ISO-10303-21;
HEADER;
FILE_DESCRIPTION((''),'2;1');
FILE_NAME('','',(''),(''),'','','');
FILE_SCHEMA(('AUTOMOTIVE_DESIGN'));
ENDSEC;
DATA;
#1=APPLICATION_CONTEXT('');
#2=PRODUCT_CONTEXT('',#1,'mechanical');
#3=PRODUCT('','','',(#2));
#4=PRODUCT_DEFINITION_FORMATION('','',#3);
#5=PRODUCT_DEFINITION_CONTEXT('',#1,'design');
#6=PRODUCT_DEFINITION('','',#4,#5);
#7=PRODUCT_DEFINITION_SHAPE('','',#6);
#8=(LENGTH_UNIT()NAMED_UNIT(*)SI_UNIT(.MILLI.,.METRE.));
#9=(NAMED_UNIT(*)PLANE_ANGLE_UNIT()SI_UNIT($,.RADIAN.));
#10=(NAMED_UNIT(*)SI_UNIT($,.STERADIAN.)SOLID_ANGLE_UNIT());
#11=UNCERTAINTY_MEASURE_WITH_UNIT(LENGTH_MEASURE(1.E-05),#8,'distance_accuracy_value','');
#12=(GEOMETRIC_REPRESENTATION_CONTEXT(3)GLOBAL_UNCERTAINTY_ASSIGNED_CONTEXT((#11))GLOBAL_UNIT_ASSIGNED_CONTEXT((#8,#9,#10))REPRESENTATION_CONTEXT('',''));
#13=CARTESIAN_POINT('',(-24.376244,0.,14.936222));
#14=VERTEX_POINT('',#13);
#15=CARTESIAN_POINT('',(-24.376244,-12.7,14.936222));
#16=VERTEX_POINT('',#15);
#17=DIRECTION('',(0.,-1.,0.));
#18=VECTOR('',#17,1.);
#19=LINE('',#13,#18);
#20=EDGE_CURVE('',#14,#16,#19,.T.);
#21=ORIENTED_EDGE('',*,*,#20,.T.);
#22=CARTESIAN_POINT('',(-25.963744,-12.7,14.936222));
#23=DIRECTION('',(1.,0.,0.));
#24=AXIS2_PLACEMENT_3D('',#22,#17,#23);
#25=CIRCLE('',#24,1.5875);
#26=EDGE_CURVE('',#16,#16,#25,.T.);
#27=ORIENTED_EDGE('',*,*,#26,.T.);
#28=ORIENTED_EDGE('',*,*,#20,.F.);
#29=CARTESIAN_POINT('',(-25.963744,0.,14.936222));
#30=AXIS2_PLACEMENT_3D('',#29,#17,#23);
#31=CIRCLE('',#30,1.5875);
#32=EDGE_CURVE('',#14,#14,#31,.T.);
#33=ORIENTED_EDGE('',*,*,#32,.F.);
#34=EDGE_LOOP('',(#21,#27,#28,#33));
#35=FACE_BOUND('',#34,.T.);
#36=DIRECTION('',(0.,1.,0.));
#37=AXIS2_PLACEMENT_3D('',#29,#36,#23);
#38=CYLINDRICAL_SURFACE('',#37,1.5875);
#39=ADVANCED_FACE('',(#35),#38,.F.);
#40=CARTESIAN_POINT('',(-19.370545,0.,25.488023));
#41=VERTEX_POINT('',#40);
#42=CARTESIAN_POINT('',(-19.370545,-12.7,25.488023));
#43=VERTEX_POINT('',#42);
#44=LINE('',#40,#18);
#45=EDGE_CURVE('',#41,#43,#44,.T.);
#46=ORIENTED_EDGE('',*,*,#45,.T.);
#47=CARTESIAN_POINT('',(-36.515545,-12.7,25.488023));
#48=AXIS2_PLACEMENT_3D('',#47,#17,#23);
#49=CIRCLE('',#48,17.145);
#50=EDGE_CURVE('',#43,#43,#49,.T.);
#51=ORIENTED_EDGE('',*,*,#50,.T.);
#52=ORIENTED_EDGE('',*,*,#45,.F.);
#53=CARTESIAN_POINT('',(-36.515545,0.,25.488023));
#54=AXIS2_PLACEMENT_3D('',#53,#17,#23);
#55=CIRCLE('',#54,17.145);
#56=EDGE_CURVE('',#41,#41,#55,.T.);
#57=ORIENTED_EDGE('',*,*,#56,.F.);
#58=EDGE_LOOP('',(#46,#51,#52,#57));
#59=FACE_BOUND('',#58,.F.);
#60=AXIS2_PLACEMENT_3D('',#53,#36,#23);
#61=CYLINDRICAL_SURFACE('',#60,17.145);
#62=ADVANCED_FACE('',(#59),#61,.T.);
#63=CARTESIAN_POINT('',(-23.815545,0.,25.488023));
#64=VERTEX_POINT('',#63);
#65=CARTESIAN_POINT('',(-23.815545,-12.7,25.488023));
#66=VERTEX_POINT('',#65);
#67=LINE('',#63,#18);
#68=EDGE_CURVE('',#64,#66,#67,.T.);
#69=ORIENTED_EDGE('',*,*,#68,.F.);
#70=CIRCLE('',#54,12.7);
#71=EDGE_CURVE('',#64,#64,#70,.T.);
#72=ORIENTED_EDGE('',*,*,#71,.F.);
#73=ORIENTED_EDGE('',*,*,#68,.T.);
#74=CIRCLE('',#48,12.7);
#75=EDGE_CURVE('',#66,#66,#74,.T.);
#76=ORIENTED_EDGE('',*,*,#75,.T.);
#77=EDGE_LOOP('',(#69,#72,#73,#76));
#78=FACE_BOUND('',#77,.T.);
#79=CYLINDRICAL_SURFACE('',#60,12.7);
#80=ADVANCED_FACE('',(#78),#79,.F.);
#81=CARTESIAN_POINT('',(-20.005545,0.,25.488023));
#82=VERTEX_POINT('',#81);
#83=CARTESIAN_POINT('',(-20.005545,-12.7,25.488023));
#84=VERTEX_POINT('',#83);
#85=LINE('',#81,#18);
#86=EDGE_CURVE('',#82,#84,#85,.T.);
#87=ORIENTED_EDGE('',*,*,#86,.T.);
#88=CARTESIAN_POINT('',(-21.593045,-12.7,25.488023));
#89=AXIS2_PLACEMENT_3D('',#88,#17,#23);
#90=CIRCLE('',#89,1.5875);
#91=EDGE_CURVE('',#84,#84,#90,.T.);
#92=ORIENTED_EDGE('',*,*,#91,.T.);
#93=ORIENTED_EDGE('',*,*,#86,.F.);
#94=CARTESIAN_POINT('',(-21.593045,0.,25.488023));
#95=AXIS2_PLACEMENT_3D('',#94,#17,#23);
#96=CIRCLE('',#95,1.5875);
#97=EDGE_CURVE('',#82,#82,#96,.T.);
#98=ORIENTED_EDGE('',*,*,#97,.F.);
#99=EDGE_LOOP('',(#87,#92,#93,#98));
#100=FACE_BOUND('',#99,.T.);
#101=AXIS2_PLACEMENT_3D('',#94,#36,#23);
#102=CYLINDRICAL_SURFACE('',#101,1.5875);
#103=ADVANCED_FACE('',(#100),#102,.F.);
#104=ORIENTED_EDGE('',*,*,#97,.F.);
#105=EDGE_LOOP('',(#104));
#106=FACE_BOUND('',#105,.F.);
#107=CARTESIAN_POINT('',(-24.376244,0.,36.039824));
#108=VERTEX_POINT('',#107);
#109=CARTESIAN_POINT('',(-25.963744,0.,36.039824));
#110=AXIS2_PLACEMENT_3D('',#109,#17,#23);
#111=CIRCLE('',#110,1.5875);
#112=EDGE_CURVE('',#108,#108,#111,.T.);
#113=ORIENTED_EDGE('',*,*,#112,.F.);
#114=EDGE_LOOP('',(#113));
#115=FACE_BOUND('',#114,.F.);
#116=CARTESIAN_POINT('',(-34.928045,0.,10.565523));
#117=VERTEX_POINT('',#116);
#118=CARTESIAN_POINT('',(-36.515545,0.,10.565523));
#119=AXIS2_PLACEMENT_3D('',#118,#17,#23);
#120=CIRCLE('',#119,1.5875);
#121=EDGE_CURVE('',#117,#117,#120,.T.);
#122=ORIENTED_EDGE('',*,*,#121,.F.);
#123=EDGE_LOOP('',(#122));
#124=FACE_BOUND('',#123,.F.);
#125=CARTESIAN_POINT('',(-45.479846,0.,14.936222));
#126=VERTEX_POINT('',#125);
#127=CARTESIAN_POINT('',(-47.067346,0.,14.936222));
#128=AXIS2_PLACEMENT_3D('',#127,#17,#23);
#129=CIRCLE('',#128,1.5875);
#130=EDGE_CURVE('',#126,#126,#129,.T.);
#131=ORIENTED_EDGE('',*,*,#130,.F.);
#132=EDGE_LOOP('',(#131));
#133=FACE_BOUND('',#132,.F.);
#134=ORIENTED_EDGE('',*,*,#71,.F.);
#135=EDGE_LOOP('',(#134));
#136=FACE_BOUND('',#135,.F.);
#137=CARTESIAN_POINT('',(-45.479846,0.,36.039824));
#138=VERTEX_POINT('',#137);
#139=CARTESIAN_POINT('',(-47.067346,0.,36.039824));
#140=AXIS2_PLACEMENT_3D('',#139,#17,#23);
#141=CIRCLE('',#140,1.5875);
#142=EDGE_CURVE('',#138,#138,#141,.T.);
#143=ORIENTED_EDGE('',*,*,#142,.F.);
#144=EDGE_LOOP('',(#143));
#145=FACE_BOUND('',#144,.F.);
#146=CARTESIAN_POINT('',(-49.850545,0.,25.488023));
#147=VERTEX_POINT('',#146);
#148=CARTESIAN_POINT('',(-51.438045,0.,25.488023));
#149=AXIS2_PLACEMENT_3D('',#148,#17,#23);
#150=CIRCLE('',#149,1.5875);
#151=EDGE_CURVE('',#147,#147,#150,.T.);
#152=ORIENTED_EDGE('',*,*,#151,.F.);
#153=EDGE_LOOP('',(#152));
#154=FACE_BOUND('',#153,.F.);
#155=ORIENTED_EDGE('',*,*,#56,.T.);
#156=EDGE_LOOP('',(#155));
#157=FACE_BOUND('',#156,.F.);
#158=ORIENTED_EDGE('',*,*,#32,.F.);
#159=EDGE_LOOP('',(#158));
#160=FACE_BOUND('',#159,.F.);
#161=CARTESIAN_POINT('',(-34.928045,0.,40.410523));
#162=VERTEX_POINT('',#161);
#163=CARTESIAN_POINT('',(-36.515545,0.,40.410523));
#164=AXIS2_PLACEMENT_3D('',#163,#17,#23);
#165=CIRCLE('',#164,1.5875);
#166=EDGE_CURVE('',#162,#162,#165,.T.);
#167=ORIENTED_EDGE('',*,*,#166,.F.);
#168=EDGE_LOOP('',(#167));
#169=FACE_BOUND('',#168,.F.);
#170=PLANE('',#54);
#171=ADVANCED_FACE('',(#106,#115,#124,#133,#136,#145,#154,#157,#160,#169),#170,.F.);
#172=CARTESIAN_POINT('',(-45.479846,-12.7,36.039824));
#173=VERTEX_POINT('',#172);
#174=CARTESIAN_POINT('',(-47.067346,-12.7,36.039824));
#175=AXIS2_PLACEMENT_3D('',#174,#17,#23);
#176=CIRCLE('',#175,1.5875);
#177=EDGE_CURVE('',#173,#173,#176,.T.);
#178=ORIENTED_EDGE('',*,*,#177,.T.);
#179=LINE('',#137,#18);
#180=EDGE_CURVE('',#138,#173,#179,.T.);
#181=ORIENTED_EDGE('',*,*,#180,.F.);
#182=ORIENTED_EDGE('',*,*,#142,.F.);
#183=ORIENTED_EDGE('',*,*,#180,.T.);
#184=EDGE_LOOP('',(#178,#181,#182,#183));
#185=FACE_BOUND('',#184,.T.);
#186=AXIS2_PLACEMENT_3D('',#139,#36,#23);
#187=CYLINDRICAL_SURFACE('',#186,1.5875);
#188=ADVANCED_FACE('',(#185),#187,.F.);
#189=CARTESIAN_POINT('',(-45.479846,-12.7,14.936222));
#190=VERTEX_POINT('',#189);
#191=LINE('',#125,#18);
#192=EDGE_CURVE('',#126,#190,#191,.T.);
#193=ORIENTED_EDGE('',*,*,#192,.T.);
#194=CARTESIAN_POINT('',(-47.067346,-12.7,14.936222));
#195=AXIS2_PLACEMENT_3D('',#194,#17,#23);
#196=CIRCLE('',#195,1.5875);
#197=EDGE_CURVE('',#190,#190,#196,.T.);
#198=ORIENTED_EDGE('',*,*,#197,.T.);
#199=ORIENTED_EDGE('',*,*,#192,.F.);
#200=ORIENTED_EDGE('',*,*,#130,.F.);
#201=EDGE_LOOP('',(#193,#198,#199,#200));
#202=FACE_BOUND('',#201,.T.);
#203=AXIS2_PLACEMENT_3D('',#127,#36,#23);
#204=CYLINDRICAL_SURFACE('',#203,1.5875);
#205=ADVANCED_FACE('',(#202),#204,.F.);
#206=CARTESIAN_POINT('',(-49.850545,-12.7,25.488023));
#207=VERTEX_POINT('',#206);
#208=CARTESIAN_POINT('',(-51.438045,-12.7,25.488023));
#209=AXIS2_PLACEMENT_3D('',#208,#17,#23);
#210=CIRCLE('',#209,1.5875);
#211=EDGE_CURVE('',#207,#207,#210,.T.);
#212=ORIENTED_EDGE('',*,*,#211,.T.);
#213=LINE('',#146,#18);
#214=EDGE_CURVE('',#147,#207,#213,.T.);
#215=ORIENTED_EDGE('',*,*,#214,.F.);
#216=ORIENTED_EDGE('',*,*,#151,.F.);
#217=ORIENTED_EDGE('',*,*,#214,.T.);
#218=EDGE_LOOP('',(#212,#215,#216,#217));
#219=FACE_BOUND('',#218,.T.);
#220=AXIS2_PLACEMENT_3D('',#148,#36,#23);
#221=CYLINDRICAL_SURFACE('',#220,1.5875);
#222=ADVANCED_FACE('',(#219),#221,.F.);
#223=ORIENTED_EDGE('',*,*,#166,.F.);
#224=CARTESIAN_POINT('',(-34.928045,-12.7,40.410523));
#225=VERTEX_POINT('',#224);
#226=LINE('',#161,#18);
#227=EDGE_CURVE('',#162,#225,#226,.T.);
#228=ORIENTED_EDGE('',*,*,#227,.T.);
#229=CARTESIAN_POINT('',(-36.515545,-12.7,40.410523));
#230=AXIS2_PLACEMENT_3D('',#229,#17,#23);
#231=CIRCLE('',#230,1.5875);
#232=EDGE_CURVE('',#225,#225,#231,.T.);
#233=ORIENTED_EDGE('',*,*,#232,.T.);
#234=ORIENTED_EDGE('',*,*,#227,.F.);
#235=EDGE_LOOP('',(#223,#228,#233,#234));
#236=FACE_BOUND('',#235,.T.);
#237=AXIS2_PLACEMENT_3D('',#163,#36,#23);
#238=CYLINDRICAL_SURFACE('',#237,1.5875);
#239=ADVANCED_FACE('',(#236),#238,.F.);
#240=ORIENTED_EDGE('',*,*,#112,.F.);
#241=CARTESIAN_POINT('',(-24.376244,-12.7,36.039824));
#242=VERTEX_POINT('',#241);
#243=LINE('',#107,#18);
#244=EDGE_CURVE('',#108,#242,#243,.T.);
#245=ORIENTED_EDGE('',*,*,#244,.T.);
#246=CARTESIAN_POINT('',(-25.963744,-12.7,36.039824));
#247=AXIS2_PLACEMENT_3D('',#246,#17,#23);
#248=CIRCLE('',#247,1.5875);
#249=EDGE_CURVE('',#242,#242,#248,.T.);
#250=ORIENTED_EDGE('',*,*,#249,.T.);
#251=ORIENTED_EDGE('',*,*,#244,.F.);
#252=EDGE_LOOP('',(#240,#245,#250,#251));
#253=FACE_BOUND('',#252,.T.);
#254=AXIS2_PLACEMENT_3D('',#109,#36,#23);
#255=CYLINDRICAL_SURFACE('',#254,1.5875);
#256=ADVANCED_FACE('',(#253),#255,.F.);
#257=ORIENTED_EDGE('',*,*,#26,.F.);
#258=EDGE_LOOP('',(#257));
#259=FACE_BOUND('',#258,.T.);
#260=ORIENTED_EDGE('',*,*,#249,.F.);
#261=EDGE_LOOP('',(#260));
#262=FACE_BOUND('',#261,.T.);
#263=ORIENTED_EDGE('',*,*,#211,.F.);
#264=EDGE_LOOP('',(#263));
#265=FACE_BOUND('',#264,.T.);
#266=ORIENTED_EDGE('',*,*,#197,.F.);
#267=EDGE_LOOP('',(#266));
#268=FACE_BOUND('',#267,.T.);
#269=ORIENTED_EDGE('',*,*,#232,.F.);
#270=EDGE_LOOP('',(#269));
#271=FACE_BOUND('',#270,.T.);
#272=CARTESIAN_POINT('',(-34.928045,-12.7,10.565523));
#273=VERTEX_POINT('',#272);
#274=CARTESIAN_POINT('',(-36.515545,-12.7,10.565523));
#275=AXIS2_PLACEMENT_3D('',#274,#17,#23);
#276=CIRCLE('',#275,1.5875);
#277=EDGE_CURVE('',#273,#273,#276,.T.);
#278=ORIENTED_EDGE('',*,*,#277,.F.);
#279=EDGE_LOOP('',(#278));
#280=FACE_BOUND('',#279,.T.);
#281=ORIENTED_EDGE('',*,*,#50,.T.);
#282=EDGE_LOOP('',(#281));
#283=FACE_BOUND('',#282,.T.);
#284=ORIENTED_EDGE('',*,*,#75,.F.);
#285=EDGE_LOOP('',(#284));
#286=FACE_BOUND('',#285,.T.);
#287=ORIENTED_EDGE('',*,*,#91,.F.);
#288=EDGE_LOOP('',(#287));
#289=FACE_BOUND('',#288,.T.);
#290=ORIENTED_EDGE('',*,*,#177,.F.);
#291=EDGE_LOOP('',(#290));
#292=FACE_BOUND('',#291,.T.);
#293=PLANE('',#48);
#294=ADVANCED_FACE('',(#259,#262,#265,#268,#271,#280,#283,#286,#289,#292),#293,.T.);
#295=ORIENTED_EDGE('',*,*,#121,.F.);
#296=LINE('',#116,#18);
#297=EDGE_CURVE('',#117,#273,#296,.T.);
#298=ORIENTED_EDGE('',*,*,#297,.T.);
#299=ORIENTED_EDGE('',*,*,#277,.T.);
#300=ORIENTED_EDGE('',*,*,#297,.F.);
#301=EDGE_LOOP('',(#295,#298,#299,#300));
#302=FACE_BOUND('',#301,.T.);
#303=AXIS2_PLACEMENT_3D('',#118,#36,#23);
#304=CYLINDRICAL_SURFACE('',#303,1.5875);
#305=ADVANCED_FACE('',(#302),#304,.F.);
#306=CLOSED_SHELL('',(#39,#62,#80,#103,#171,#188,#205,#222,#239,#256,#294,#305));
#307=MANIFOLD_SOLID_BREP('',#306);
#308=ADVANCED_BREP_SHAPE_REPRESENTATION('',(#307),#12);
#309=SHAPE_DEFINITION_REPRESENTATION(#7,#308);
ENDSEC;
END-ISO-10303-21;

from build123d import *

# Parameters (mm, degrees)
F0_R     = 17.145
F0_R_2   = 1.5875
F0_R_3   = 12.7
F1_DEPTH = 12.7


with BuildPart() as f1:
    # F0 (on Front) → F1 (new body)
    with BuildSketch(Plane.XZ):
        with Locations((-36.515545, 25.488023)):
            Circle(F0_R)
        with Locations((-47.067346, 14.936222)):
            Circle(F0_R_2, mode=Mode.SUBTRACT)
        with Locations((-51.438045, 25.488023)):
            Circle(F0_R_2, mode=Mode.SUBTRACT)
        with Locations((-36.515545, 10.565523)):
            Circle(F0_R_2, mode=Mode.SUBTRACT)
        with Locations((-25.963744, 14.936222)):
            Circle(F0_R_2, mode=Mode.SUBTRACT)
        with Locations((-47.067346, 36.039824)):
            Circle(F0_R_2, mode=Mode.SUBTRACT)
        with Locations((-36.515545, 40.410523)):
            Circle(F0_R_2, mode=Mode.SUBTRACT)
        with Locations((-36.515545, 25.488023)):
            Circle(F0_R_3, mode=Mode.SUBTRACT)
        with Locations((-21.593045, 25.488023)):
            Circle(F0_R_2, mode=Mode.SUBTRACT)
        with Locations((-25.963744, 36.039824)):
            Circle(F0_R_2, mode=Mode.SUBTRACT)
    extrude(amount=F1_DEPTH)


solid = f1.part
